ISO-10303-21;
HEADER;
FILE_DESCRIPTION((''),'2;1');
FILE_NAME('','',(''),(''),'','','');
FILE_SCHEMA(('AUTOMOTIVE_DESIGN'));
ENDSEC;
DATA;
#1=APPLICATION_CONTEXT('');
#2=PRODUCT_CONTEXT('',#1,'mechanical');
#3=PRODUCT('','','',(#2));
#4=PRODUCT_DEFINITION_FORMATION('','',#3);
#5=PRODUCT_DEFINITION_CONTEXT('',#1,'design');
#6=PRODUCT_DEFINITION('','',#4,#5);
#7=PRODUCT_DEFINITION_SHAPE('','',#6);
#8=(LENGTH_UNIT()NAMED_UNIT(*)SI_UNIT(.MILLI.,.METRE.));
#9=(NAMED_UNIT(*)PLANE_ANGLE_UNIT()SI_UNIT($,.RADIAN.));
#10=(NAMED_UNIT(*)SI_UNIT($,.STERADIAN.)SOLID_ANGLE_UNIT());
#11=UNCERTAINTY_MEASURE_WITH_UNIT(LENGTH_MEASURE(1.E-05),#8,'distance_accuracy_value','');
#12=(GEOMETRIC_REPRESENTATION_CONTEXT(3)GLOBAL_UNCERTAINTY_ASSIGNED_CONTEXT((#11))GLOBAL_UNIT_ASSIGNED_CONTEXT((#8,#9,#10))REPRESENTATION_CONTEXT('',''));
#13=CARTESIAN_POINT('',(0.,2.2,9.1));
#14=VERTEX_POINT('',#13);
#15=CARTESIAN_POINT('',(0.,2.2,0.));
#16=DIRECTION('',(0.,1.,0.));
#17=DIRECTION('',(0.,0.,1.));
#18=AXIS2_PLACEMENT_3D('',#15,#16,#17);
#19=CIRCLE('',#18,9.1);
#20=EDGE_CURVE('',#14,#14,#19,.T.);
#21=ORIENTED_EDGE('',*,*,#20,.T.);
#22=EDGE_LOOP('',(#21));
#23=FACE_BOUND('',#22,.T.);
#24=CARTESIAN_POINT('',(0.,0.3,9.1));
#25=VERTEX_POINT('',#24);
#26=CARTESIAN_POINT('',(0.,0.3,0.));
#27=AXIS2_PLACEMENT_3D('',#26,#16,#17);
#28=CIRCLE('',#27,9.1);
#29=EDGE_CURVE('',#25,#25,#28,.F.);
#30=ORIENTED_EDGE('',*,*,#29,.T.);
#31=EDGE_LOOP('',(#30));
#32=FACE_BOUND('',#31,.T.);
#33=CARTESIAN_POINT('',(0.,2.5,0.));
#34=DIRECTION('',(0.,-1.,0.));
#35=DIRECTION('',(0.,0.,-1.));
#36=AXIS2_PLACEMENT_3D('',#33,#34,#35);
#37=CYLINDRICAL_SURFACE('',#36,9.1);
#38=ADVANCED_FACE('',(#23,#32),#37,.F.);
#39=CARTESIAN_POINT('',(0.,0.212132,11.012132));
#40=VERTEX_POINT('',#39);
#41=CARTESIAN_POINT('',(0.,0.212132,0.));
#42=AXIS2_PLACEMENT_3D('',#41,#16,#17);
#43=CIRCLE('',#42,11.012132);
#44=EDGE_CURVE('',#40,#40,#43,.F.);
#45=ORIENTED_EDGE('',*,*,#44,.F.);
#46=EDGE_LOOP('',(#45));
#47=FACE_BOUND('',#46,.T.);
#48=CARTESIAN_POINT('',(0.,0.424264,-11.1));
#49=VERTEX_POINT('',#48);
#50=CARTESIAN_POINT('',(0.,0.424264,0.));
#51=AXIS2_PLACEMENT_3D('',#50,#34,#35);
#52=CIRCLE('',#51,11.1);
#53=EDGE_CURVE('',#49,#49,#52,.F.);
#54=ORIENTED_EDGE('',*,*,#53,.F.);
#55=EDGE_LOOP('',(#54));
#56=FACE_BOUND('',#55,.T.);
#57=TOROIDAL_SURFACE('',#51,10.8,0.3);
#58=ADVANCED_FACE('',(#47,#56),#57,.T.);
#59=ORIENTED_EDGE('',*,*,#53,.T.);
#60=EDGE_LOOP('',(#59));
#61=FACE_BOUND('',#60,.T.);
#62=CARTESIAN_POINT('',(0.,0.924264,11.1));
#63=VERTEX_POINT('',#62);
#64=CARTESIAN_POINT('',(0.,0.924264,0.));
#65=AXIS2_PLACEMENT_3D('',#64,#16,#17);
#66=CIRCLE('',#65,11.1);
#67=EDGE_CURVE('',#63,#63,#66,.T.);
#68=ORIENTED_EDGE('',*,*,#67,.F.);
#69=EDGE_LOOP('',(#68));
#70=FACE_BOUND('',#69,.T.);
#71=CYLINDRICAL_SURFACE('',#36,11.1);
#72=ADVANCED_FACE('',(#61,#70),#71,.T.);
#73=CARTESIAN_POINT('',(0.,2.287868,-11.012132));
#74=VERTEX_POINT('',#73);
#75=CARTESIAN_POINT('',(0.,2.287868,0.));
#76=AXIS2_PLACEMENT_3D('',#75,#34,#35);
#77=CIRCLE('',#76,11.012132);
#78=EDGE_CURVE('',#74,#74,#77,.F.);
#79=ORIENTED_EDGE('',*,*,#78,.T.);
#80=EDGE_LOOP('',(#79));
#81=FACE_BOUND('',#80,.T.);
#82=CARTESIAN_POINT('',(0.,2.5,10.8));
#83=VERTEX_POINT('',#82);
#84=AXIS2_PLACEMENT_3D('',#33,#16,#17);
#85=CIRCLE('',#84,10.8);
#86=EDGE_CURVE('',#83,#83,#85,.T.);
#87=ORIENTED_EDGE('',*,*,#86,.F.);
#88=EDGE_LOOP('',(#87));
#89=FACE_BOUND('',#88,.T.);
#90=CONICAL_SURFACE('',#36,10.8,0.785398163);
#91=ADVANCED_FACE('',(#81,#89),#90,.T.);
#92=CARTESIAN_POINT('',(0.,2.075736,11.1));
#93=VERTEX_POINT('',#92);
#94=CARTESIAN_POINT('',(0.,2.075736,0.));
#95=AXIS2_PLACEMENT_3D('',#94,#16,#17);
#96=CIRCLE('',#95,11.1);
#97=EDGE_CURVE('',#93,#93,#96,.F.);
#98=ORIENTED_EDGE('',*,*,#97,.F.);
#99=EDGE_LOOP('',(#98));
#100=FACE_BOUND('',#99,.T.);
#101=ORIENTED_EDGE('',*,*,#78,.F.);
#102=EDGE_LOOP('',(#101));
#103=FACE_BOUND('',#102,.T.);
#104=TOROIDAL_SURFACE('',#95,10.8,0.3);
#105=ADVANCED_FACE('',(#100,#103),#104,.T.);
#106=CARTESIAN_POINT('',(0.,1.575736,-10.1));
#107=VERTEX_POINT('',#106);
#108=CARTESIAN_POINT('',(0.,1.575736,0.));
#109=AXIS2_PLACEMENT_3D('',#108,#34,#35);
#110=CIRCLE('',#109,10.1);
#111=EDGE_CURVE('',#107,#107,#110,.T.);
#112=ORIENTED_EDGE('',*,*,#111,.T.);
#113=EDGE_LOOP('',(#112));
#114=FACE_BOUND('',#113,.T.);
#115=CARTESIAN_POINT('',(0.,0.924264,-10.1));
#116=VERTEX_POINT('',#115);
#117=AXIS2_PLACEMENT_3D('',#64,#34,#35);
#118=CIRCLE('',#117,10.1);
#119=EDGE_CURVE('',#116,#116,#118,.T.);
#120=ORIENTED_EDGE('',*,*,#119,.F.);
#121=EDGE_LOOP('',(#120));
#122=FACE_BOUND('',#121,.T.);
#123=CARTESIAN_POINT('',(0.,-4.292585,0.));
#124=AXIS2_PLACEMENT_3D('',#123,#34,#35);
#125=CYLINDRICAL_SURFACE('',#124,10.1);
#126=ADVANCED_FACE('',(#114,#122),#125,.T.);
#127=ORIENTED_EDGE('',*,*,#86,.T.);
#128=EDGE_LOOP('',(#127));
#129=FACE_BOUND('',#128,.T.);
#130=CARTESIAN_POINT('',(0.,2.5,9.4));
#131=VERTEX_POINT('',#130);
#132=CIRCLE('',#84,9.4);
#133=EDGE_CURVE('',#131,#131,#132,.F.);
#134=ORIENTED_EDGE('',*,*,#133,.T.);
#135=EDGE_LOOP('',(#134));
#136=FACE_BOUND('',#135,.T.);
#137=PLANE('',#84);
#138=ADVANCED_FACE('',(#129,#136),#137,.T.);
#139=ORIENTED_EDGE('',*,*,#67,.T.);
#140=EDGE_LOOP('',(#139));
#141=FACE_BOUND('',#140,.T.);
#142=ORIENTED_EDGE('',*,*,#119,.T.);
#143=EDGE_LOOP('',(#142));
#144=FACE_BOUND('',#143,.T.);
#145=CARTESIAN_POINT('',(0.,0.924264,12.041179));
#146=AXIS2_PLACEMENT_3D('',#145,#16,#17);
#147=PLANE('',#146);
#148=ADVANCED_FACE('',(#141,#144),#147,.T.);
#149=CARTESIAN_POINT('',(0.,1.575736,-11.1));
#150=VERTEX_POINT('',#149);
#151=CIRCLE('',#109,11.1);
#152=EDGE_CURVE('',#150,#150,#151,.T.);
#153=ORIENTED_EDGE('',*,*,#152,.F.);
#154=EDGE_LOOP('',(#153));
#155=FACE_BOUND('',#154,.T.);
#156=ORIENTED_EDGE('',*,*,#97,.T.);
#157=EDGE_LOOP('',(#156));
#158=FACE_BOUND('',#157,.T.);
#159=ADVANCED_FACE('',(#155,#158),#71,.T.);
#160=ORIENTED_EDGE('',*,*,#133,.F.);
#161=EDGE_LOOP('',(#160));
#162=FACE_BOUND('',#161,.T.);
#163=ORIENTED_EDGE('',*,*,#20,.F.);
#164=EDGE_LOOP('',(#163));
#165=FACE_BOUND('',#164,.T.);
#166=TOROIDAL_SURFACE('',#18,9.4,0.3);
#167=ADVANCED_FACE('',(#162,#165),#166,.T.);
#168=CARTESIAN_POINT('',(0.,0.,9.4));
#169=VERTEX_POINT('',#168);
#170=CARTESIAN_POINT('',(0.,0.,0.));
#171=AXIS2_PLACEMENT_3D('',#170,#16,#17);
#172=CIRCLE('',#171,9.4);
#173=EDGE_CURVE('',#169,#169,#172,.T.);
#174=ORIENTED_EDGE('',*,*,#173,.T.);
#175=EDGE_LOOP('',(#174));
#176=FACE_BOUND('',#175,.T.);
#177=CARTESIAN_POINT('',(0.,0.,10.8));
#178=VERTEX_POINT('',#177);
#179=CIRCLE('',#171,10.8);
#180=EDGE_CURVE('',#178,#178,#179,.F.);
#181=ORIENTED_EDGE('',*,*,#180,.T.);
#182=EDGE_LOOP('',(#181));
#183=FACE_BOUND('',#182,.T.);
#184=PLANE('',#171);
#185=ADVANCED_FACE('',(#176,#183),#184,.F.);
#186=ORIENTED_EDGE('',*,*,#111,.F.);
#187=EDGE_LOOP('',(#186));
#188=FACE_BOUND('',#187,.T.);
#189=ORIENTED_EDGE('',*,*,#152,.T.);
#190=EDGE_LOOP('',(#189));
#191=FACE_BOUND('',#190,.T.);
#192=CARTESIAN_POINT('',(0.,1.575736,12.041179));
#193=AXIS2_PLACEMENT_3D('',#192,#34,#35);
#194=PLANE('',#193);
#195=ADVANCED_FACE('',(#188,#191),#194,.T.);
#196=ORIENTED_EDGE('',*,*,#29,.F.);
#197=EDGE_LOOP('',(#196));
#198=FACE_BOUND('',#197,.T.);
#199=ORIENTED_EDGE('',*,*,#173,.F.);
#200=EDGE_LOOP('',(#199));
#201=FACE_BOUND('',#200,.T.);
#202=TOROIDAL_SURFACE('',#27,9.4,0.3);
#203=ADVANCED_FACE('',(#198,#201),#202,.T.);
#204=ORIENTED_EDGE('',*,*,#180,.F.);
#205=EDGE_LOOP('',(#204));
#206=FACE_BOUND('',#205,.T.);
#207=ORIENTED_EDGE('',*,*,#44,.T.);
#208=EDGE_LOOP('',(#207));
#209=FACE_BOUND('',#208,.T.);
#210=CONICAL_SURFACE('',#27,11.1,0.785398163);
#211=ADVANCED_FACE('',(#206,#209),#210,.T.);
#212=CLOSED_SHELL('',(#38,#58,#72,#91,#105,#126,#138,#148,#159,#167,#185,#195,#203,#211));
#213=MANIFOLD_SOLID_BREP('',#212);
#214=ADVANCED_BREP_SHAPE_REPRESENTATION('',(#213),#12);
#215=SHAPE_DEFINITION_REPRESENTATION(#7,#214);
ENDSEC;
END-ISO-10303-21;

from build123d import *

# Parameters (mm, degrees)
SKETCH1_R           = 11.1
SKETCH1_R_2         = 9.1
BOSS_EXTRUDE1_DEPTH = 2.5
CHAMFER1_SIZE       = 0.3
FILLET1_R           = 0.3
FILLET2_R           = 0.3
SKETCH7_W           = 1.941178579
SKETCH7_H           = 0.651471862


with BuildPart() as part:
    # Sketch1 → Boss-Extrude1 (new body)
    with BuildSketch(Plane(origin=(0, 0, 0), x_dir=(1, 0, 0), z_dir=(0, 1, 0))):
        with Locations(Location((0, 0, 0), (0, 0, 270))):
            Circle(SKETCH1_R)
        with Locations(Location((0, 0, 0), (0, 0, 270))):
            Circle(SKETCH1_R_2, mode=Mode.SUBTRACT)
    extrude(amount=BOSS_EXTRUDE1_DEPTH)

    # Chamfer1
    chamfer1_edges = [part.edges().sort_by_distance(p)[0] for p in [
        (0, 0, -11.1),
        (0, 2.5, -11.1),
    ]]
    chamfer(chamfer1_edges, length=CHAMFER1_SIZE)

    # Fillet1
    fillet1_edges = [part.edges().sort_by_distance(p)[0] for p in [
        (0, 0, -9.1),
        (0, 2.5, -9.1),
    ]]
    fillet(fillet1_edges, radius=FILLET1_R)

    # Fillet2
    fillet2_edges = [part.edges().sort_by_distance(p)[0] for p in [
        (0, 0.3, -11.1),
        (0, 2.2, -11.1),
    ]]
    fillet(fillet2_edges, radius=FILLET2_R)

    # Sketch7 → Cut-Revolve3 (revolve, cut)
    with BuildSketch(Plane(origin=(0, 0, 0), x_dir=(0, 0, -1), z_dir=(1, 0, 0)), mode=Mode.PRIVATE) as cut_revolve3_sk:
        with Locations((-11.07058929, 1.25)):
            Rectangle(SKETCH7_W, SKETCH7_H)
    revolve(cut_revolve3_sk.sketch.rotate(Axis((0, -4.292585454, 0), (0, 1, 0)), 180), axis=Axis((0, -4.292585454, 0), (0, 1, 0)), mode=Mode.SUBTRACT)


solid = part.part
